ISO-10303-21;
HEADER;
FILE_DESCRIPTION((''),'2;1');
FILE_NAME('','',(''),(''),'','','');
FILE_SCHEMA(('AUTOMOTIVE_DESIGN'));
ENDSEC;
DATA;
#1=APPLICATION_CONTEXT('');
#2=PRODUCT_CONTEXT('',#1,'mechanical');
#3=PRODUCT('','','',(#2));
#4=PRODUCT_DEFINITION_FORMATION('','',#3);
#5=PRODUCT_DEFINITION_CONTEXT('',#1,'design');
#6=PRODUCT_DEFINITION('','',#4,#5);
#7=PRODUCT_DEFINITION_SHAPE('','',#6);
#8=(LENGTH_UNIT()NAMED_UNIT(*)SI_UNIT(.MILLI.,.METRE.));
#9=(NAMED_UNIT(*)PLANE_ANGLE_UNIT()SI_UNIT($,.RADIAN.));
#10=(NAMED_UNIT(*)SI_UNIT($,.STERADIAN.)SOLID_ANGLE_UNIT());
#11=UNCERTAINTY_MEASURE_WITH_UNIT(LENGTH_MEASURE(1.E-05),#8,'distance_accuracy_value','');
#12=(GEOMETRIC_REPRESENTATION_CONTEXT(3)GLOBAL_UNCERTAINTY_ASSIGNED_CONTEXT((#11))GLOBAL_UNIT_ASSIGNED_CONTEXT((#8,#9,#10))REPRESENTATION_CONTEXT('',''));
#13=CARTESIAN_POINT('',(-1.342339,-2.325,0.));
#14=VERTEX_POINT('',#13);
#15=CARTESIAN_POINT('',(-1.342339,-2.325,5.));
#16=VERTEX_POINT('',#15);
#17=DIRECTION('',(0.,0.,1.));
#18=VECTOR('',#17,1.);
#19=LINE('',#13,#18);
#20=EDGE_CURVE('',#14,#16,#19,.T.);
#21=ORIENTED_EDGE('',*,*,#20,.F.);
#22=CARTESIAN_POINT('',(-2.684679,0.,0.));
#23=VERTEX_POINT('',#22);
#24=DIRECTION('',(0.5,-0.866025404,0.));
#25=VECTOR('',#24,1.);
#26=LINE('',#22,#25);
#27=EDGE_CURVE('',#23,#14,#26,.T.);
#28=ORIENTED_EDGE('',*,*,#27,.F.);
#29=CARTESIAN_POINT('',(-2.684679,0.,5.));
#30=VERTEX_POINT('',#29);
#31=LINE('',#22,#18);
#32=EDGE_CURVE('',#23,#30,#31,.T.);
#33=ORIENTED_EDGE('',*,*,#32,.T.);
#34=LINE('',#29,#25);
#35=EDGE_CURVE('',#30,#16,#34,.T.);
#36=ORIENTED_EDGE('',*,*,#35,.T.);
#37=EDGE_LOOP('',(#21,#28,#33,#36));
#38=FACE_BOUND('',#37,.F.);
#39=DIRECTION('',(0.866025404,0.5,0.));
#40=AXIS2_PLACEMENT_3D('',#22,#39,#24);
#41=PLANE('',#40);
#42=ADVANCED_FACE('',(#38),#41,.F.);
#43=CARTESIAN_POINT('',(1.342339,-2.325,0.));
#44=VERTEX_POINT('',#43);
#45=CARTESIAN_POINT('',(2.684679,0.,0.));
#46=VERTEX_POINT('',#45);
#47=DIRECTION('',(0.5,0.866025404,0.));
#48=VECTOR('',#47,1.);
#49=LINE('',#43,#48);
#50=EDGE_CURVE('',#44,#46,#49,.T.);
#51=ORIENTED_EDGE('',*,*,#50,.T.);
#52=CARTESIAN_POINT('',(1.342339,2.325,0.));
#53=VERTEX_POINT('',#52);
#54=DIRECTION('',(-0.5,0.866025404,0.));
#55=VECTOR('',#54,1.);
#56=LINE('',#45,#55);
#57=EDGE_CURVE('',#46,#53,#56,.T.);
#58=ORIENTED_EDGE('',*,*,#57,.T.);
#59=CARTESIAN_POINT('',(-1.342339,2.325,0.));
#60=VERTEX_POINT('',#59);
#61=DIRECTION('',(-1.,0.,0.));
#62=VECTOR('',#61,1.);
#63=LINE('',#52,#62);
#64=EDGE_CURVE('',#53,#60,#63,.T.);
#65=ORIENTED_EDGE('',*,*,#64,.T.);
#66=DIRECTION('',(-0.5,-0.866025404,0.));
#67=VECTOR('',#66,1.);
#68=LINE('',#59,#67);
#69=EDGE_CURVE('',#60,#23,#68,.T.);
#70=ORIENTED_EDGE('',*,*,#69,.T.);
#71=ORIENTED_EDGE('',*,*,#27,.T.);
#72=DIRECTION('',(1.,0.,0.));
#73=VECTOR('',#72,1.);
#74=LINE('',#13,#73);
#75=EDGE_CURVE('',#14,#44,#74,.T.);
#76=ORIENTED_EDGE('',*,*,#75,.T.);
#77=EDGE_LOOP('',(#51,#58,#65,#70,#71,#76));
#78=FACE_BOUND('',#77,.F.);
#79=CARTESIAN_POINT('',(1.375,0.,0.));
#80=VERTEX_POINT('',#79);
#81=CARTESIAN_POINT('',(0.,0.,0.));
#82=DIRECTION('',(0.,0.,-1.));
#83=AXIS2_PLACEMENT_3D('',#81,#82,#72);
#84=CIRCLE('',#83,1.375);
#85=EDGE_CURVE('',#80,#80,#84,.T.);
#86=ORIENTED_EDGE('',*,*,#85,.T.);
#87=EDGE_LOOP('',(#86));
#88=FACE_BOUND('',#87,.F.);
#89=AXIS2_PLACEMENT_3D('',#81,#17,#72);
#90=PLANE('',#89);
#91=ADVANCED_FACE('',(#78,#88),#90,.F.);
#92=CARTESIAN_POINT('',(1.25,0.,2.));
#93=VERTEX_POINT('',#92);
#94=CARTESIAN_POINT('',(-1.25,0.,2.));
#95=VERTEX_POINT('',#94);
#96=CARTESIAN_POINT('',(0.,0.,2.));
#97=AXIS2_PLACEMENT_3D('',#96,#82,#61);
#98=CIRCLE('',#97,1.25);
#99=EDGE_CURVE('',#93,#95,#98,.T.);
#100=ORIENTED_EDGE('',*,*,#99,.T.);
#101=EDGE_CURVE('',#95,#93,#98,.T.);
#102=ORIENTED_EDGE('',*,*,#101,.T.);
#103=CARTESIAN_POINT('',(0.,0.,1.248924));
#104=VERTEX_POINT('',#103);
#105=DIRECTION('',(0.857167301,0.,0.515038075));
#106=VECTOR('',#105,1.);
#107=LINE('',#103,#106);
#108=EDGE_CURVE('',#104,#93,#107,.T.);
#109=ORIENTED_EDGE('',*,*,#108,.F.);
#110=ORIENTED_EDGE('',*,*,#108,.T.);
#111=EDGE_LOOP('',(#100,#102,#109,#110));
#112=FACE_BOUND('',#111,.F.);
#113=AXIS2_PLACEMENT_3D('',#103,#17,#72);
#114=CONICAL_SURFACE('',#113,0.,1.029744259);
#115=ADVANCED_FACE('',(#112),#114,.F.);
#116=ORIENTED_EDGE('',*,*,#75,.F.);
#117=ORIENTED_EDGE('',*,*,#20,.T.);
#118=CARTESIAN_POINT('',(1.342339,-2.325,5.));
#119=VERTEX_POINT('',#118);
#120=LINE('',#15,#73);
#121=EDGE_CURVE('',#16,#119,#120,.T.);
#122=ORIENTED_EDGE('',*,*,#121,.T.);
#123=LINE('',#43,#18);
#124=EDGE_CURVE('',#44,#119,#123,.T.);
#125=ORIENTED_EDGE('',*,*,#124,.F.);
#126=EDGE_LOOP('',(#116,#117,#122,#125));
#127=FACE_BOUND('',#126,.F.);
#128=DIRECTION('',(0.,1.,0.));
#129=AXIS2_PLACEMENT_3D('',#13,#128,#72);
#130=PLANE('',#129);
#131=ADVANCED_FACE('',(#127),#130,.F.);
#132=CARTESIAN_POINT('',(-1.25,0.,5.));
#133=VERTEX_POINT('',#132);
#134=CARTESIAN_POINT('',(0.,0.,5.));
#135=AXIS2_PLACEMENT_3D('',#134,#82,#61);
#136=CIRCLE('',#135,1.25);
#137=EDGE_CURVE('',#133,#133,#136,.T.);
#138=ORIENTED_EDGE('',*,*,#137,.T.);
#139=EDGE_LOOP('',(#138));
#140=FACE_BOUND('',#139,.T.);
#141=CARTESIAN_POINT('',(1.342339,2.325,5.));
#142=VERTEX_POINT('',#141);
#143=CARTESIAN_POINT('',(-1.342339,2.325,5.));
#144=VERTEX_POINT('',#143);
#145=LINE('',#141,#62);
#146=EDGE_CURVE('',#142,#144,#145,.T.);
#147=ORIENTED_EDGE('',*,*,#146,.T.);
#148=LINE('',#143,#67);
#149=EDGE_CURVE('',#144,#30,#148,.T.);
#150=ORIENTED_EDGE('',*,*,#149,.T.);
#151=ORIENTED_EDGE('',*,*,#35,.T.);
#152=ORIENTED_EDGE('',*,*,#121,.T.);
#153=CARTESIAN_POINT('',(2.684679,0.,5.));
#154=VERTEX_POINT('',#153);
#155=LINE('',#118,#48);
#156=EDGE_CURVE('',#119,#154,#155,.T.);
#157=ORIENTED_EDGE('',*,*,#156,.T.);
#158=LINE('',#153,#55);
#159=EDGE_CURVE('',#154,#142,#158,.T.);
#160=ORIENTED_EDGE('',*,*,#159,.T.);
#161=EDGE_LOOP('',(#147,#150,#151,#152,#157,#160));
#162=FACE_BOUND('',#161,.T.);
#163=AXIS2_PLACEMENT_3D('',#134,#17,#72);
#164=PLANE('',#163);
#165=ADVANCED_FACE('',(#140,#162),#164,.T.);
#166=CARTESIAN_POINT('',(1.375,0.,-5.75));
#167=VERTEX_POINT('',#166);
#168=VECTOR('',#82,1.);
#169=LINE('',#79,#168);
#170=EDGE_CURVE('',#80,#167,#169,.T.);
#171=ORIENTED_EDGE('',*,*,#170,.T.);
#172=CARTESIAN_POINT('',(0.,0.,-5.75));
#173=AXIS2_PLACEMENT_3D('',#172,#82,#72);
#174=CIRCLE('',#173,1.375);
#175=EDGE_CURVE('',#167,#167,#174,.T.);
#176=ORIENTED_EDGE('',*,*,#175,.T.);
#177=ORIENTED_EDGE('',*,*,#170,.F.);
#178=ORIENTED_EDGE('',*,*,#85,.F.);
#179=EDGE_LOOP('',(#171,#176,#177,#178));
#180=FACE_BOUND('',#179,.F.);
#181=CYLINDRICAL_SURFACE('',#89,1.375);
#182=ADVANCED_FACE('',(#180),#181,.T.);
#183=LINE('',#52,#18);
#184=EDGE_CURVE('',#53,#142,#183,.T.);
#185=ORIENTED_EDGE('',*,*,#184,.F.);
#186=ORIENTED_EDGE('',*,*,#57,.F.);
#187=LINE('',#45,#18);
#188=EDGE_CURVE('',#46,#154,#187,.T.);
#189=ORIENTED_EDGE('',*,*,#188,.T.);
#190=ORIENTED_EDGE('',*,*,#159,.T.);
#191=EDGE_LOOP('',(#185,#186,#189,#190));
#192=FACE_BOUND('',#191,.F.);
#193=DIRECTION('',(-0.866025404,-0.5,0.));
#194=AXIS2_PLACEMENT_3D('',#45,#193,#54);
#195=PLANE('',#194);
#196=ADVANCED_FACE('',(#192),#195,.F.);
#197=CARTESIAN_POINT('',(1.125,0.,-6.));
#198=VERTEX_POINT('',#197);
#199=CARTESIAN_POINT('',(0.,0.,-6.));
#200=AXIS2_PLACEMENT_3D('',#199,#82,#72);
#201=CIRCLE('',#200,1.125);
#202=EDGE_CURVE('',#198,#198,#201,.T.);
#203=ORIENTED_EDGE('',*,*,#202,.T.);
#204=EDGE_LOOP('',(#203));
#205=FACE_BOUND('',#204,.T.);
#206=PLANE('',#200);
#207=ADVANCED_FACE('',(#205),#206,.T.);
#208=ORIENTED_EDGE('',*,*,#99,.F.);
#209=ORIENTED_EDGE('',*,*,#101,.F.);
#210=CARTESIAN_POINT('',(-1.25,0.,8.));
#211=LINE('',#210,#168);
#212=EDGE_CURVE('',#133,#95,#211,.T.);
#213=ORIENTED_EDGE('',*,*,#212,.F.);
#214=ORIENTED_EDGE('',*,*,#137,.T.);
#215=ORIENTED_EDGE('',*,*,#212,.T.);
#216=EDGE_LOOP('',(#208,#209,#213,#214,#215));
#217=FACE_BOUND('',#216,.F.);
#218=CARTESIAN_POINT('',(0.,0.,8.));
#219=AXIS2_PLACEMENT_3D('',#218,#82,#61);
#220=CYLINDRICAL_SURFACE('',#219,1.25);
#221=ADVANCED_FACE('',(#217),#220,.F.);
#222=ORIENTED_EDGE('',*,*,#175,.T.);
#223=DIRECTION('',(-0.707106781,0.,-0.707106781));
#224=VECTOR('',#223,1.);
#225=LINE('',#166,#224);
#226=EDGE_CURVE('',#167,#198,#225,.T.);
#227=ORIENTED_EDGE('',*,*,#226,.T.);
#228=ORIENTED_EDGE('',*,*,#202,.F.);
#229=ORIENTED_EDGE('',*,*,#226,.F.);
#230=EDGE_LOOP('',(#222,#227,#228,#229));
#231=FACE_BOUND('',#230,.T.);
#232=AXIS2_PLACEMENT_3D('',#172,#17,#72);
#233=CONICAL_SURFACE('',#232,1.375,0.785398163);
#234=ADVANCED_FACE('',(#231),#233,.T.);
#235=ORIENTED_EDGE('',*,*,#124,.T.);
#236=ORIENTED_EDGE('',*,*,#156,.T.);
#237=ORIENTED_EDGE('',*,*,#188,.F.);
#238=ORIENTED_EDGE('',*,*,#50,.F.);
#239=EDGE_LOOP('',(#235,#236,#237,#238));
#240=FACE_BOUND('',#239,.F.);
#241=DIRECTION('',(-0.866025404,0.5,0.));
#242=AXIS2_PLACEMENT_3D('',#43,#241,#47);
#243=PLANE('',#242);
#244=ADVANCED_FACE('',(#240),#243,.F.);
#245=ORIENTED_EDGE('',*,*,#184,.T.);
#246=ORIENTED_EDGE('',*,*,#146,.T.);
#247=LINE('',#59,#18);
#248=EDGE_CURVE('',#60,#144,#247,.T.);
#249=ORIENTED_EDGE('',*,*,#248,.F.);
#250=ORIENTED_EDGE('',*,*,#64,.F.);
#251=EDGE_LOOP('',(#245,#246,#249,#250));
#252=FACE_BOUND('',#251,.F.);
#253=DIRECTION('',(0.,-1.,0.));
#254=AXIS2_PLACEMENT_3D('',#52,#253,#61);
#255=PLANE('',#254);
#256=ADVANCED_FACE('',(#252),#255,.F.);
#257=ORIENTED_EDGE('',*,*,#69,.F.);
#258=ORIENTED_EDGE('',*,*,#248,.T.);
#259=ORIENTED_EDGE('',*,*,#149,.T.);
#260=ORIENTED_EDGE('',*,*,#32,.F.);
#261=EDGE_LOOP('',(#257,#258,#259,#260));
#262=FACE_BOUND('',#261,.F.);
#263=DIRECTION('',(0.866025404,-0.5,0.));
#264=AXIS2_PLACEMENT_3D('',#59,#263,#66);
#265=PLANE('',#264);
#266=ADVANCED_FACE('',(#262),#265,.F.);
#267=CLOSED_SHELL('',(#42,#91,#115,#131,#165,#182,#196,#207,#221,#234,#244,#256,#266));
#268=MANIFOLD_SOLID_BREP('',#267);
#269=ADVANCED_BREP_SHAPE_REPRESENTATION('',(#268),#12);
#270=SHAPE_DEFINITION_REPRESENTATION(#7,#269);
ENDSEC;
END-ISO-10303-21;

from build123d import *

# Parameters (mm, degrees)
F1_DEPTH = 5
F3_D     = 2.5
F3_DEPTH = 3
F3_TIP   = 0.7510757738
F4_R     = 1.375
F5_DEPTH = 6
F6_SIZE  = 0.25


with BuildPart() as f1:
    # F0 (on Top) → F1 (new body)
    with BuildSketch(Plane.XY):
        Polygon((1.3423393759, 2.325), (-1.3423393759, 2.325), (-2.6846787517, 0), (-1.3423393759, -2.325), (1.3423393759, -2.325), (2.6846787517, 0), align=None)
    extrude(amount=F1_DEPTH)

    # F3
    with Locations(Plane.XY.offset(5)):
        with Locations((0, 0)):
            Hole(F3_D / 2, depth=F3_DEPTH)
            with Locations((0, 0, -(F3_DEPTH + F3_TIP / 2))):  # 118° drill point
                Cone(0, F3_D / 2, F3_TIP, mode=Mode.SUBTRACT)

    # F4 (on face) → F5 (join)
    with BuildSketch(Plane(origin=(0, 0, 0), x_dir=(1, 0, 0), z_dir=(0, 0, -1))):
        Circle(F4_R)
    extrude(amount=F5_DEPTH)

    # F6
    f6_edges = [f1.edges().sort_by_distance(p)[0] for p in [
        (-1.375, 0, -6),
    ]]
    chamfer(f6_edges, length=F6_SIZE)


solid = f1.part
